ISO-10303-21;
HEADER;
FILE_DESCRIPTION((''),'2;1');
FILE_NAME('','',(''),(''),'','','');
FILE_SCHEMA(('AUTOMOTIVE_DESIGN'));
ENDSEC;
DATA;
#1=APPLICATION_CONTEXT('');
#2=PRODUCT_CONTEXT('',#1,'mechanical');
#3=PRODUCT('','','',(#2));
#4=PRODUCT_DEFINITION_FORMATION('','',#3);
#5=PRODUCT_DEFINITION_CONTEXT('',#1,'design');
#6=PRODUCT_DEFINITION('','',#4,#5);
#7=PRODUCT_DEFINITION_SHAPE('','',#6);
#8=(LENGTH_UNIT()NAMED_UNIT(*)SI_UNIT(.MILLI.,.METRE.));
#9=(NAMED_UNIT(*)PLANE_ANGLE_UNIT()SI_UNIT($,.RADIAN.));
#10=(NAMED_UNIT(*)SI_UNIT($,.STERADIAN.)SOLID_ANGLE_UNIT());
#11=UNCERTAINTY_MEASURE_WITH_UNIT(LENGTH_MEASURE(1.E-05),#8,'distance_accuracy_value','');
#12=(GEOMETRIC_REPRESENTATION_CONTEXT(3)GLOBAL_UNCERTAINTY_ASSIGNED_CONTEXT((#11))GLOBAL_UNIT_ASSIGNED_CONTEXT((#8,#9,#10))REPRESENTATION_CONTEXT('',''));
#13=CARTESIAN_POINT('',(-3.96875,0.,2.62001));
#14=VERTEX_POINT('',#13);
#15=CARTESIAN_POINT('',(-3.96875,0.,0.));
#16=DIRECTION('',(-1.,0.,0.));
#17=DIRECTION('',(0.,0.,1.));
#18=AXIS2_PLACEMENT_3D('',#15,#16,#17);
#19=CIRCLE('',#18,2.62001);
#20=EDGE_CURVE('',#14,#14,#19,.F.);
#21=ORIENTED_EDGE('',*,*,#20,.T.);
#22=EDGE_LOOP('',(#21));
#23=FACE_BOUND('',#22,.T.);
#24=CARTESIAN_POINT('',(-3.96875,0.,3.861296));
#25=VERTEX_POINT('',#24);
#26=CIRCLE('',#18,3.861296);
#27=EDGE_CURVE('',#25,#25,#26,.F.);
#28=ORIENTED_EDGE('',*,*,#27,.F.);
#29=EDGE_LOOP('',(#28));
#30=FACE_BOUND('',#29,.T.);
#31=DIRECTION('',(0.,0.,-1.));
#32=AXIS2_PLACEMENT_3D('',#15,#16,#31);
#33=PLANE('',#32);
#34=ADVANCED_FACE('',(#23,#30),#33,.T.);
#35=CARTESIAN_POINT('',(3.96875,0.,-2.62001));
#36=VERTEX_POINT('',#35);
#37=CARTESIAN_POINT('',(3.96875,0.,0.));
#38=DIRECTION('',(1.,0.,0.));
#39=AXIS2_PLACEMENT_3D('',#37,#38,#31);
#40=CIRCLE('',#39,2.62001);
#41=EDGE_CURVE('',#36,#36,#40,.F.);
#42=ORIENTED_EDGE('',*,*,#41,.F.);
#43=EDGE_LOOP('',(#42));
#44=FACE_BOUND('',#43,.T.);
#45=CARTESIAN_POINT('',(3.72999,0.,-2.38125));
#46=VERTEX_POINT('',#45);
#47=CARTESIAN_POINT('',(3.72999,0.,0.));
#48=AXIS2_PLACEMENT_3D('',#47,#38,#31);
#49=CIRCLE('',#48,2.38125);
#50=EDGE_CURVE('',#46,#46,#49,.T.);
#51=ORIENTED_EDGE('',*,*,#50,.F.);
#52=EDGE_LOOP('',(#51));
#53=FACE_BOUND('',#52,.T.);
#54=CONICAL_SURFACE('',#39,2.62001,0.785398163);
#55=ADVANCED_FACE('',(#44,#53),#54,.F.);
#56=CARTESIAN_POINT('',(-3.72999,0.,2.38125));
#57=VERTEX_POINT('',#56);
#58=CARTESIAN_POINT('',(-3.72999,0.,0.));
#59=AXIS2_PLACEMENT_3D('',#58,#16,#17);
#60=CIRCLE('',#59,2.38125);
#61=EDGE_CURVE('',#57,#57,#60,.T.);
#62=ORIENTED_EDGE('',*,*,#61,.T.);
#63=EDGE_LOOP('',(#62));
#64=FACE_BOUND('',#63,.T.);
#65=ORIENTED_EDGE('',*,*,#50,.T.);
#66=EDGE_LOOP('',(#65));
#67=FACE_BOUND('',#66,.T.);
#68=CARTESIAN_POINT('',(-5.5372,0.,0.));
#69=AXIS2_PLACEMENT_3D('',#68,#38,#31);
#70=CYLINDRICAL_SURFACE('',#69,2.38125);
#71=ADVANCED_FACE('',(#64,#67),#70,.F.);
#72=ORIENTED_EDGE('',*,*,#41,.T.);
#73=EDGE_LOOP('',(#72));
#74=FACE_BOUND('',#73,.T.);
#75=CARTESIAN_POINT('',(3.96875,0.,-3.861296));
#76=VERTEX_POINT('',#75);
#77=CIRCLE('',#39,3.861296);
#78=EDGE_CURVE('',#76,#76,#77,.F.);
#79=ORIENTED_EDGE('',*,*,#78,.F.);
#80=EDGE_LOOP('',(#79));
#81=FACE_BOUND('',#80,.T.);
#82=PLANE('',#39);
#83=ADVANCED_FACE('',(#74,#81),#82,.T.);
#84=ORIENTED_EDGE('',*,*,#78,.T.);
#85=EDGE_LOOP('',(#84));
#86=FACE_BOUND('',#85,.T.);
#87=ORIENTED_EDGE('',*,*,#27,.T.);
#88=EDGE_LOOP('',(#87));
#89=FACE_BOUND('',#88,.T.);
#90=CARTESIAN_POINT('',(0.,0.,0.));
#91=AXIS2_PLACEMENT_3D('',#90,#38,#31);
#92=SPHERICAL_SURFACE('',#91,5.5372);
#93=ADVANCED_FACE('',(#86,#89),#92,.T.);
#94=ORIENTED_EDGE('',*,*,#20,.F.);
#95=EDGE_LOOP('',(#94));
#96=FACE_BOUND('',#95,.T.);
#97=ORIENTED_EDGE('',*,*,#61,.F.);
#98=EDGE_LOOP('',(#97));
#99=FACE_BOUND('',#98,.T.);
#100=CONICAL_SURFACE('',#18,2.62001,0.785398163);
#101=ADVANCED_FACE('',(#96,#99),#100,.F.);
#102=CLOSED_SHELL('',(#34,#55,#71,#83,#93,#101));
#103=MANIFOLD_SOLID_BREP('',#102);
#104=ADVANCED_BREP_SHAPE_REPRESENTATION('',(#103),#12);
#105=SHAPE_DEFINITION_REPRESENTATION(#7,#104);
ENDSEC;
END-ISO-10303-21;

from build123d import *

# Parameters (mm, degrees)
SKETCH2_R               = 2.38125
CUT_EXTRUDE1_DEPTH      = 6.5372
CUT_EXTRUDE1_DEPTH_BACK = 6.5372
CUT_EXTRUDE2_START      = 3.96875
SKETCH3_R               = 5
CUT_EXTRUDE2_DEPTH      = 2.030273132
CHAMFER1_SIZE           = 0.23876


with BuildPart() as part:
    # Sketch1 → Revolve1 (revolve)
    with BuildSketch(Plane.XY):
        with BuildLine():
            Line((0, 5.5372), (0, -5.5372))
            ThreePointArc((0, -5.5372), (-5.5372, 0), (0, 5.5372))
        make_face()
    revolve(axis=Axis((0, 5.5372, 0), (0, -1, 0)))

    # Sketch2 → Cut-Extrude1 (cut, two sides)
    with BuildSketch(Plane(origin=(0, 0, 0), x_dir=(0, 0, -1), z_dir=(1, 0, 0))) as cut_extrude1_sk:
        Circle(SKETCH2_R)
    extrude(amount=CUT_EXTRUDE1_DEPTH, mode=Mode.SUBTRACT)
    extrude(cut_extrude1_sk.sketch, amount=-CUT_EXTRUDE1_DEPTH_BACK, mode=Mode.SUBTRACT)

    # Sketch3 → Cut-Extrude2 (cut, through all)
    with BuildSketch(Plane(origin=(0, 0, 0), x_dir=(0, 0, -1), z_dir=(1, 0, 0)).offset(CUT_EXTRUDE2_START)):
        Circle(SKETCH3_R)
    cut_extrude2 = extrude(amount=CUT_EXTRUDE2_DEPTH, mode=Mode.SUBTRACT)

    # Mirror1: Cut-Extrude2 across plane
    add(cut_extrude2.mirror(Plane(origin=(0, 0, 0), x_dir=(0, 0, 1), z_dir=(1, 0, 0))), mode=Mode.SUBTRACT)

    # Chamfer1
    chamfer1_edges = [part.edges().sort_by_distance(p)[0] for p in [
        (3.96875, 0, 2.38125),
        (-3.96875, 0, 2.38125),
    ]]
    chamfer(chamfer1_edges, length=CHAMFER1_SIZE)


solid = part.part
